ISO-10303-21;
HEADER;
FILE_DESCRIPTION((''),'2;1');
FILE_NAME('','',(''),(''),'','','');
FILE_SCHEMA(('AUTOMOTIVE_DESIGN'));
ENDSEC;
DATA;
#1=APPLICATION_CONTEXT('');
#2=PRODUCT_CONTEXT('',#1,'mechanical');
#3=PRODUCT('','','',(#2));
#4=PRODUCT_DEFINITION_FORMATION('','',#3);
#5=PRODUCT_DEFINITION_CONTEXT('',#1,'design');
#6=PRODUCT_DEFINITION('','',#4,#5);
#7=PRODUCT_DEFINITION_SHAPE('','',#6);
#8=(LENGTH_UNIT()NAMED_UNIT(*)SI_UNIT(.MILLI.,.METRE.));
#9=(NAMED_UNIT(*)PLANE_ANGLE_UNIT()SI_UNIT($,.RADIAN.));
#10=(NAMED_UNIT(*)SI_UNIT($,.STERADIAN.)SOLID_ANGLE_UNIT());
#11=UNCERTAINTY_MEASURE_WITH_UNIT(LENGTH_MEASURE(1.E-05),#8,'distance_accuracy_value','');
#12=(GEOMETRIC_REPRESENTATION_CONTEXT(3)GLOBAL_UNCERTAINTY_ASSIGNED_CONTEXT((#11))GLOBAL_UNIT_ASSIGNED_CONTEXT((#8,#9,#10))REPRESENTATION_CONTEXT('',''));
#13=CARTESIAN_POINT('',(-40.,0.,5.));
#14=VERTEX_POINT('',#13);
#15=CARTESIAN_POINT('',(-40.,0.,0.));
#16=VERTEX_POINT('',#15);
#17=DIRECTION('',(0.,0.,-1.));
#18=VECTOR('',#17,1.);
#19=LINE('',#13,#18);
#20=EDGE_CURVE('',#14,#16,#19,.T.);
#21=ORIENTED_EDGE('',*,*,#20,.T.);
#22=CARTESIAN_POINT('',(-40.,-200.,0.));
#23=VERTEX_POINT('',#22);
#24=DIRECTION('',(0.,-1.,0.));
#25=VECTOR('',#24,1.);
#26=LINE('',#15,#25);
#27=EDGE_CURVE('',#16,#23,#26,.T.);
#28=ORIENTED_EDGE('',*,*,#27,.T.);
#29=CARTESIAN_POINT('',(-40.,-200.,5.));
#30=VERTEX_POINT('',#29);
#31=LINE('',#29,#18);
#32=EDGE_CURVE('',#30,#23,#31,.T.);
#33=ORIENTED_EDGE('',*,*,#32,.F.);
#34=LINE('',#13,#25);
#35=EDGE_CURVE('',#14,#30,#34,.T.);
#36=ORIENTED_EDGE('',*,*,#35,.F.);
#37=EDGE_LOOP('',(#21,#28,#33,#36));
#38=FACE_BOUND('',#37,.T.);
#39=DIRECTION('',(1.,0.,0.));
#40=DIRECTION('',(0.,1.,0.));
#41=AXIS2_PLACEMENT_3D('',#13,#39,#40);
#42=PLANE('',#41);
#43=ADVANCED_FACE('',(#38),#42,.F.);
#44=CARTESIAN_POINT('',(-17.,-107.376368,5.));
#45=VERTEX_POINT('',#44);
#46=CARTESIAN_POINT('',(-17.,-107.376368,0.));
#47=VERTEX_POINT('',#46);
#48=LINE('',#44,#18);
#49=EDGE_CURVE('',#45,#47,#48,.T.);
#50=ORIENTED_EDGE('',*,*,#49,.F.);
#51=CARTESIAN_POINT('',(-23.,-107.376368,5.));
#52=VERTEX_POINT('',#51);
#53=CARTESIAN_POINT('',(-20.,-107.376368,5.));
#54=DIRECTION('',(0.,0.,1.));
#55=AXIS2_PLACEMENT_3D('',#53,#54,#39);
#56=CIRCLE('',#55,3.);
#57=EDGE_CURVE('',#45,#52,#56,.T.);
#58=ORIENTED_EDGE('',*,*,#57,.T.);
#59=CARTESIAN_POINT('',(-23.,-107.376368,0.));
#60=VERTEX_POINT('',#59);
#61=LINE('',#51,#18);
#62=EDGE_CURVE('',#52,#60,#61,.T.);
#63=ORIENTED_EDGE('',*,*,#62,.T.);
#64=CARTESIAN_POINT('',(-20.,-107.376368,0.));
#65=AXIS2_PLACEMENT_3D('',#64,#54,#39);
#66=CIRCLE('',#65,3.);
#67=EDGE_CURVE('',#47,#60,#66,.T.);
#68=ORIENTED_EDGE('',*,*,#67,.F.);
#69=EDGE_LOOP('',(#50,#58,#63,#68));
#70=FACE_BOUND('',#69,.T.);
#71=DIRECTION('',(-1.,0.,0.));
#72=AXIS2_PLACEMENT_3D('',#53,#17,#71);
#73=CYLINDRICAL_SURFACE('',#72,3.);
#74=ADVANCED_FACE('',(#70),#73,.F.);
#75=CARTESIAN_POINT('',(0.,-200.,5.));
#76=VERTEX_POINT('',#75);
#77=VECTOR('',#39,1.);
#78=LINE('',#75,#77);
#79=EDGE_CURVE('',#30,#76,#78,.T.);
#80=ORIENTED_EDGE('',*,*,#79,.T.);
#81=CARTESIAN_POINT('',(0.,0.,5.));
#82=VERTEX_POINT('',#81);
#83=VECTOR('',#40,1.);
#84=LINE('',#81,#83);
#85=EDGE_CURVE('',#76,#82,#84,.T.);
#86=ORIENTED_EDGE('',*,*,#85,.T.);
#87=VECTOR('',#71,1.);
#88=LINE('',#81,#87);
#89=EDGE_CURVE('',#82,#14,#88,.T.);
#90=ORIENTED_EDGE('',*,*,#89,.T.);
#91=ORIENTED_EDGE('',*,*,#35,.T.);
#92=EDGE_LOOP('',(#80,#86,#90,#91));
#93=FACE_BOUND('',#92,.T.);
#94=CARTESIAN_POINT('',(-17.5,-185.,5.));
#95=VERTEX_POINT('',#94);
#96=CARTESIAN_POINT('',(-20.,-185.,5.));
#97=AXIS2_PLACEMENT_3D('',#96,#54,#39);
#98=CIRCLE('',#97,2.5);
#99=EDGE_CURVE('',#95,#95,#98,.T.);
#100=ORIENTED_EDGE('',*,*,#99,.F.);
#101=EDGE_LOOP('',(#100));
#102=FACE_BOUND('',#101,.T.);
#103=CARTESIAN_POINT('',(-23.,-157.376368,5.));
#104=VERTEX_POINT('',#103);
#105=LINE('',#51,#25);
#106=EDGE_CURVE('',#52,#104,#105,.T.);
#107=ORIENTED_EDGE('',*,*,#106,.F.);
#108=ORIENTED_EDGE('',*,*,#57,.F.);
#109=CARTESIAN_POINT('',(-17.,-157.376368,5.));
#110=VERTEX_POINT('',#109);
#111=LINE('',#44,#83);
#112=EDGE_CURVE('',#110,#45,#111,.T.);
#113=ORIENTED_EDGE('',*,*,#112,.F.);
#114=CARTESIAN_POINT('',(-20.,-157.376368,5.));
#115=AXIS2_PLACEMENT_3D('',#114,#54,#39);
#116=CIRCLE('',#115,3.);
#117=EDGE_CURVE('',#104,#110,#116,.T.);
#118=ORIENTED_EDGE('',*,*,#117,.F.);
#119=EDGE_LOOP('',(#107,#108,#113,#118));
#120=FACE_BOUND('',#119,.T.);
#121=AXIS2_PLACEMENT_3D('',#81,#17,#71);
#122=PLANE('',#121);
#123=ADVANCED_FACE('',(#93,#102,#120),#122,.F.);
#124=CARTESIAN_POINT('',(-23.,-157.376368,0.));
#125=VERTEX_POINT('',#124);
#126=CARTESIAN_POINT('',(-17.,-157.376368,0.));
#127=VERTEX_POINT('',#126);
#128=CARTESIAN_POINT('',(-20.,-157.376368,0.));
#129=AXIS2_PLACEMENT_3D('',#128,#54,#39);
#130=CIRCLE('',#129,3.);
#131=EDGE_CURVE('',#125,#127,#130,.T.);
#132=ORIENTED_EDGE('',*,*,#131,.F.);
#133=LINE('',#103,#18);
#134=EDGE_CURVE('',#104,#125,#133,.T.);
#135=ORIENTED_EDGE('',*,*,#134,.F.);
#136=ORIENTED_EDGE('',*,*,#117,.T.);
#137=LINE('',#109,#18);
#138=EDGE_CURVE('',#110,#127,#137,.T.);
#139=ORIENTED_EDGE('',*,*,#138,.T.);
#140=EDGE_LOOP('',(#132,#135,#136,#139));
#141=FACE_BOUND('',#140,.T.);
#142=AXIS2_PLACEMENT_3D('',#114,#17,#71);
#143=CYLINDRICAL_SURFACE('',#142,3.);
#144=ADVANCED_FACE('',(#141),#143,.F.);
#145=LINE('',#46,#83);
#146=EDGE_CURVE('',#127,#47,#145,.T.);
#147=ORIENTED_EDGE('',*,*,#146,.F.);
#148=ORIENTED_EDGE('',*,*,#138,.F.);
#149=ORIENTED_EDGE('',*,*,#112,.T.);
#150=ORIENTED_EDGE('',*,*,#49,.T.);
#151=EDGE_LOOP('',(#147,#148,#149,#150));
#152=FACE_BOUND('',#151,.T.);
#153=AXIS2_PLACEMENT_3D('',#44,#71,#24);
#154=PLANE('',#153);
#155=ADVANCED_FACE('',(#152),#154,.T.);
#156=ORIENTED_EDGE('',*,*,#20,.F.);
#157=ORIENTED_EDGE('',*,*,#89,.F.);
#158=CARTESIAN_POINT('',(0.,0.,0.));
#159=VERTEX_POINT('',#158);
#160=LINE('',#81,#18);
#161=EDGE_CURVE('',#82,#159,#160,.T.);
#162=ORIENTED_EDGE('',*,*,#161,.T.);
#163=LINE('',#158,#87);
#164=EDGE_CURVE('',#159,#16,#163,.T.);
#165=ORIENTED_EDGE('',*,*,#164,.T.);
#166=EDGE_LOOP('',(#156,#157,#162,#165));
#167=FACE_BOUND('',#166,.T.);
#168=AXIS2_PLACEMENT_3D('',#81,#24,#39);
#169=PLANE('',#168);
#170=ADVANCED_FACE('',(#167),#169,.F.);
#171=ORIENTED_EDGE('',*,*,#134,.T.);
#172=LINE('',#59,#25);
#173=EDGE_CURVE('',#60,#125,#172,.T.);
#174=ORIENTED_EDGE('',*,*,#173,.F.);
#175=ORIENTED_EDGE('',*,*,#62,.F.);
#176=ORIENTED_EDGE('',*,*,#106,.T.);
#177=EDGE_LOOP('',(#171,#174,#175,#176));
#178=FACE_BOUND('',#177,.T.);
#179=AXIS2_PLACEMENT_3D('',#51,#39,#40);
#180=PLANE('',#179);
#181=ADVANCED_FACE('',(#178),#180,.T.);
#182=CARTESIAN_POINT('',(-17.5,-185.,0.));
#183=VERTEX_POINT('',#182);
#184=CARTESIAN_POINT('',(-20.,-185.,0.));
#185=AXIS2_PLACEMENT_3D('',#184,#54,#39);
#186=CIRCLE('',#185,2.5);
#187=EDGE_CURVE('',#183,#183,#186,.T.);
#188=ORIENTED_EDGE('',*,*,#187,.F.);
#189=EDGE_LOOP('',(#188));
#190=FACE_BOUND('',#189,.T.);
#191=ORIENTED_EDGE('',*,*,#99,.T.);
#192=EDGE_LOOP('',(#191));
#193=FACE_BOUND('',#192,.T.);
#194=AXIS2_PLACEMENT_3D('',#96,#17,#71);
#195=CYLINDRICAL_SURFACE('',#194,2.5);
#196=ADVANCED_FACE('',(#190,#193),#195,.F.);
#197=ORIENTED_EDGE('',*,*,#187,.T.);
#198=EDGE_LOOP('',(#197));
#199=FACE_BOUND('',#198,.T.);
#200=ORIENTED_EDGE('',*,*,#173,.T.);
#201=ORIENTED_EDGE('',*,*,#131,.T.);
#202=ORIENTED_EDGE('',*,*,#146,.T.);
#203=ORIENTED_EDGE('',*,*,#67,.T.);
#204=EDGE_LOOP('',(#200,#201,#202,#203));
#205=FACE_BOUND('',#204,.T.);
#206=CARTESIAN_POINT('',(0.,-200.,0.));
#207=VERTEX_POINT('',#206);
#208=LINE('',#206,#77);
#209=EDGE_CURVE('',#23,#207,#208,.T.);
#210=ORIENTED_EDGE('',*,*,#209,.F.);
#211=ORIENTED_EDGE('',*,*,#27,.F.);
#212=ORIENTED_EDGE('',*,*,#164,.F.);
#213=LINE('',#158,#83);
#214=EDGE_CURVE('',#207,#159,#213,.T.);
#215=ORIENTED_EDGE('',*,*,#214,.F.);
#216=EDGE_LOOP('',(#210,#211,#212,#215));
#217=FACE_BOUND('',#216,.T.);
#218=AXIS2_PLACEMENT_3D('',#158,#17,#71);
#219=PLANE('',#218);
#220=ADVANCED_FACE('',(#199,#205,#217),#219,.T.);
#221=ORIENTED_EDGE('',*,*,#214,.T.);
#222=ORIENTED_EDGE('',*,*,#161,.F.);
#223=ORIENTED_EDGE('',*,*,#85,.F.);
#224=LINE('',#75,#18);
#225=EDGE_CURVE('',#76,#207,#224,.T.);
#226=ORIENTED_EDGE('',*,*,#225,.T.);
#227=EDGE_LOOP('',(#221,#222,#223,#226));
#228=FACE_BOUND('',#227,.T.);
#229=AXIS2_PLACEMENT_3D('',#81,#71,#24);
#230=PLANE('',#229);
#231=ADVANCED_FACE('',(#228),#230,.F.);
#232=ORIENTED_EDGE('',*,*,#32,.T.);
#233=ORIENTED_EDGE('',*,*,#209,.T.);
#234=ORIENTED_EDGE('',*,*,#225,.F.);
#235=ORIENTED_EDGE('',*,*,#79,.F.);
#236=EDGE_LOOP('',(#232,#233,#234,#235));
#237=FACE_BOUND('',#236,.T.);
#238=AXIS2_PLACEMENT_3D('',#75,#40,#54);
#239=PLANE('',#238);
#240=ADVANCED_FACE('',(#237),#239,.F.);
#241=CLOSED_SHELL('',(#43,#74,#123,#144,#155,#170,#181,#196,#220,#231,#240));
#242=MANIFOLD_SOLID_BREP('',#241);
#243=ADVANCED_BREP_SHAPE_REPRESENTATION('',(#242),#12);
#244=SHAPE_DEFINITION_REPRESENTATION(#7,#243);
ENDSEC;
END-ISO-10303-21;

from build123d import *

# Parameters (mm, degrees)
SKETCH1_W           = 40
SKETCH1_H           = 200
SKETCH1_R           = 2.5
BOSS_EXTRUDE1_DEPTH = 5


with BuildPart() as part:
    # Sketch1 → Boss-Extrude1 (new body)
    with BuildSketch(Plane.XY):
        with Locations((-20, -100)):
            Rectangle(SKETCH1_W, SKETCH1_H)
        with Locations((-20, -185)):
            Circle(SKETCH1_R, mode=Mode.SUBTRACT)
        with BuildLine():
            Line((-17, -107.376368338), (-17, -157.376368338))
            ThreePointArc((-17, -157.376368338), (-20, -160.376368338), (-23, -157.376368338))
            Line((-23, -157.376368338), (-23, -107.376368338))
            ThreePointArc((-23, -107.376368338), (-20, -104.376368338), (-17, -107.376368338))
        make_face(mode=Mode.SUBTRACT)
    extrude(amount=BOSS_EXTRUDE1_DEPTH)


solid = part.part
